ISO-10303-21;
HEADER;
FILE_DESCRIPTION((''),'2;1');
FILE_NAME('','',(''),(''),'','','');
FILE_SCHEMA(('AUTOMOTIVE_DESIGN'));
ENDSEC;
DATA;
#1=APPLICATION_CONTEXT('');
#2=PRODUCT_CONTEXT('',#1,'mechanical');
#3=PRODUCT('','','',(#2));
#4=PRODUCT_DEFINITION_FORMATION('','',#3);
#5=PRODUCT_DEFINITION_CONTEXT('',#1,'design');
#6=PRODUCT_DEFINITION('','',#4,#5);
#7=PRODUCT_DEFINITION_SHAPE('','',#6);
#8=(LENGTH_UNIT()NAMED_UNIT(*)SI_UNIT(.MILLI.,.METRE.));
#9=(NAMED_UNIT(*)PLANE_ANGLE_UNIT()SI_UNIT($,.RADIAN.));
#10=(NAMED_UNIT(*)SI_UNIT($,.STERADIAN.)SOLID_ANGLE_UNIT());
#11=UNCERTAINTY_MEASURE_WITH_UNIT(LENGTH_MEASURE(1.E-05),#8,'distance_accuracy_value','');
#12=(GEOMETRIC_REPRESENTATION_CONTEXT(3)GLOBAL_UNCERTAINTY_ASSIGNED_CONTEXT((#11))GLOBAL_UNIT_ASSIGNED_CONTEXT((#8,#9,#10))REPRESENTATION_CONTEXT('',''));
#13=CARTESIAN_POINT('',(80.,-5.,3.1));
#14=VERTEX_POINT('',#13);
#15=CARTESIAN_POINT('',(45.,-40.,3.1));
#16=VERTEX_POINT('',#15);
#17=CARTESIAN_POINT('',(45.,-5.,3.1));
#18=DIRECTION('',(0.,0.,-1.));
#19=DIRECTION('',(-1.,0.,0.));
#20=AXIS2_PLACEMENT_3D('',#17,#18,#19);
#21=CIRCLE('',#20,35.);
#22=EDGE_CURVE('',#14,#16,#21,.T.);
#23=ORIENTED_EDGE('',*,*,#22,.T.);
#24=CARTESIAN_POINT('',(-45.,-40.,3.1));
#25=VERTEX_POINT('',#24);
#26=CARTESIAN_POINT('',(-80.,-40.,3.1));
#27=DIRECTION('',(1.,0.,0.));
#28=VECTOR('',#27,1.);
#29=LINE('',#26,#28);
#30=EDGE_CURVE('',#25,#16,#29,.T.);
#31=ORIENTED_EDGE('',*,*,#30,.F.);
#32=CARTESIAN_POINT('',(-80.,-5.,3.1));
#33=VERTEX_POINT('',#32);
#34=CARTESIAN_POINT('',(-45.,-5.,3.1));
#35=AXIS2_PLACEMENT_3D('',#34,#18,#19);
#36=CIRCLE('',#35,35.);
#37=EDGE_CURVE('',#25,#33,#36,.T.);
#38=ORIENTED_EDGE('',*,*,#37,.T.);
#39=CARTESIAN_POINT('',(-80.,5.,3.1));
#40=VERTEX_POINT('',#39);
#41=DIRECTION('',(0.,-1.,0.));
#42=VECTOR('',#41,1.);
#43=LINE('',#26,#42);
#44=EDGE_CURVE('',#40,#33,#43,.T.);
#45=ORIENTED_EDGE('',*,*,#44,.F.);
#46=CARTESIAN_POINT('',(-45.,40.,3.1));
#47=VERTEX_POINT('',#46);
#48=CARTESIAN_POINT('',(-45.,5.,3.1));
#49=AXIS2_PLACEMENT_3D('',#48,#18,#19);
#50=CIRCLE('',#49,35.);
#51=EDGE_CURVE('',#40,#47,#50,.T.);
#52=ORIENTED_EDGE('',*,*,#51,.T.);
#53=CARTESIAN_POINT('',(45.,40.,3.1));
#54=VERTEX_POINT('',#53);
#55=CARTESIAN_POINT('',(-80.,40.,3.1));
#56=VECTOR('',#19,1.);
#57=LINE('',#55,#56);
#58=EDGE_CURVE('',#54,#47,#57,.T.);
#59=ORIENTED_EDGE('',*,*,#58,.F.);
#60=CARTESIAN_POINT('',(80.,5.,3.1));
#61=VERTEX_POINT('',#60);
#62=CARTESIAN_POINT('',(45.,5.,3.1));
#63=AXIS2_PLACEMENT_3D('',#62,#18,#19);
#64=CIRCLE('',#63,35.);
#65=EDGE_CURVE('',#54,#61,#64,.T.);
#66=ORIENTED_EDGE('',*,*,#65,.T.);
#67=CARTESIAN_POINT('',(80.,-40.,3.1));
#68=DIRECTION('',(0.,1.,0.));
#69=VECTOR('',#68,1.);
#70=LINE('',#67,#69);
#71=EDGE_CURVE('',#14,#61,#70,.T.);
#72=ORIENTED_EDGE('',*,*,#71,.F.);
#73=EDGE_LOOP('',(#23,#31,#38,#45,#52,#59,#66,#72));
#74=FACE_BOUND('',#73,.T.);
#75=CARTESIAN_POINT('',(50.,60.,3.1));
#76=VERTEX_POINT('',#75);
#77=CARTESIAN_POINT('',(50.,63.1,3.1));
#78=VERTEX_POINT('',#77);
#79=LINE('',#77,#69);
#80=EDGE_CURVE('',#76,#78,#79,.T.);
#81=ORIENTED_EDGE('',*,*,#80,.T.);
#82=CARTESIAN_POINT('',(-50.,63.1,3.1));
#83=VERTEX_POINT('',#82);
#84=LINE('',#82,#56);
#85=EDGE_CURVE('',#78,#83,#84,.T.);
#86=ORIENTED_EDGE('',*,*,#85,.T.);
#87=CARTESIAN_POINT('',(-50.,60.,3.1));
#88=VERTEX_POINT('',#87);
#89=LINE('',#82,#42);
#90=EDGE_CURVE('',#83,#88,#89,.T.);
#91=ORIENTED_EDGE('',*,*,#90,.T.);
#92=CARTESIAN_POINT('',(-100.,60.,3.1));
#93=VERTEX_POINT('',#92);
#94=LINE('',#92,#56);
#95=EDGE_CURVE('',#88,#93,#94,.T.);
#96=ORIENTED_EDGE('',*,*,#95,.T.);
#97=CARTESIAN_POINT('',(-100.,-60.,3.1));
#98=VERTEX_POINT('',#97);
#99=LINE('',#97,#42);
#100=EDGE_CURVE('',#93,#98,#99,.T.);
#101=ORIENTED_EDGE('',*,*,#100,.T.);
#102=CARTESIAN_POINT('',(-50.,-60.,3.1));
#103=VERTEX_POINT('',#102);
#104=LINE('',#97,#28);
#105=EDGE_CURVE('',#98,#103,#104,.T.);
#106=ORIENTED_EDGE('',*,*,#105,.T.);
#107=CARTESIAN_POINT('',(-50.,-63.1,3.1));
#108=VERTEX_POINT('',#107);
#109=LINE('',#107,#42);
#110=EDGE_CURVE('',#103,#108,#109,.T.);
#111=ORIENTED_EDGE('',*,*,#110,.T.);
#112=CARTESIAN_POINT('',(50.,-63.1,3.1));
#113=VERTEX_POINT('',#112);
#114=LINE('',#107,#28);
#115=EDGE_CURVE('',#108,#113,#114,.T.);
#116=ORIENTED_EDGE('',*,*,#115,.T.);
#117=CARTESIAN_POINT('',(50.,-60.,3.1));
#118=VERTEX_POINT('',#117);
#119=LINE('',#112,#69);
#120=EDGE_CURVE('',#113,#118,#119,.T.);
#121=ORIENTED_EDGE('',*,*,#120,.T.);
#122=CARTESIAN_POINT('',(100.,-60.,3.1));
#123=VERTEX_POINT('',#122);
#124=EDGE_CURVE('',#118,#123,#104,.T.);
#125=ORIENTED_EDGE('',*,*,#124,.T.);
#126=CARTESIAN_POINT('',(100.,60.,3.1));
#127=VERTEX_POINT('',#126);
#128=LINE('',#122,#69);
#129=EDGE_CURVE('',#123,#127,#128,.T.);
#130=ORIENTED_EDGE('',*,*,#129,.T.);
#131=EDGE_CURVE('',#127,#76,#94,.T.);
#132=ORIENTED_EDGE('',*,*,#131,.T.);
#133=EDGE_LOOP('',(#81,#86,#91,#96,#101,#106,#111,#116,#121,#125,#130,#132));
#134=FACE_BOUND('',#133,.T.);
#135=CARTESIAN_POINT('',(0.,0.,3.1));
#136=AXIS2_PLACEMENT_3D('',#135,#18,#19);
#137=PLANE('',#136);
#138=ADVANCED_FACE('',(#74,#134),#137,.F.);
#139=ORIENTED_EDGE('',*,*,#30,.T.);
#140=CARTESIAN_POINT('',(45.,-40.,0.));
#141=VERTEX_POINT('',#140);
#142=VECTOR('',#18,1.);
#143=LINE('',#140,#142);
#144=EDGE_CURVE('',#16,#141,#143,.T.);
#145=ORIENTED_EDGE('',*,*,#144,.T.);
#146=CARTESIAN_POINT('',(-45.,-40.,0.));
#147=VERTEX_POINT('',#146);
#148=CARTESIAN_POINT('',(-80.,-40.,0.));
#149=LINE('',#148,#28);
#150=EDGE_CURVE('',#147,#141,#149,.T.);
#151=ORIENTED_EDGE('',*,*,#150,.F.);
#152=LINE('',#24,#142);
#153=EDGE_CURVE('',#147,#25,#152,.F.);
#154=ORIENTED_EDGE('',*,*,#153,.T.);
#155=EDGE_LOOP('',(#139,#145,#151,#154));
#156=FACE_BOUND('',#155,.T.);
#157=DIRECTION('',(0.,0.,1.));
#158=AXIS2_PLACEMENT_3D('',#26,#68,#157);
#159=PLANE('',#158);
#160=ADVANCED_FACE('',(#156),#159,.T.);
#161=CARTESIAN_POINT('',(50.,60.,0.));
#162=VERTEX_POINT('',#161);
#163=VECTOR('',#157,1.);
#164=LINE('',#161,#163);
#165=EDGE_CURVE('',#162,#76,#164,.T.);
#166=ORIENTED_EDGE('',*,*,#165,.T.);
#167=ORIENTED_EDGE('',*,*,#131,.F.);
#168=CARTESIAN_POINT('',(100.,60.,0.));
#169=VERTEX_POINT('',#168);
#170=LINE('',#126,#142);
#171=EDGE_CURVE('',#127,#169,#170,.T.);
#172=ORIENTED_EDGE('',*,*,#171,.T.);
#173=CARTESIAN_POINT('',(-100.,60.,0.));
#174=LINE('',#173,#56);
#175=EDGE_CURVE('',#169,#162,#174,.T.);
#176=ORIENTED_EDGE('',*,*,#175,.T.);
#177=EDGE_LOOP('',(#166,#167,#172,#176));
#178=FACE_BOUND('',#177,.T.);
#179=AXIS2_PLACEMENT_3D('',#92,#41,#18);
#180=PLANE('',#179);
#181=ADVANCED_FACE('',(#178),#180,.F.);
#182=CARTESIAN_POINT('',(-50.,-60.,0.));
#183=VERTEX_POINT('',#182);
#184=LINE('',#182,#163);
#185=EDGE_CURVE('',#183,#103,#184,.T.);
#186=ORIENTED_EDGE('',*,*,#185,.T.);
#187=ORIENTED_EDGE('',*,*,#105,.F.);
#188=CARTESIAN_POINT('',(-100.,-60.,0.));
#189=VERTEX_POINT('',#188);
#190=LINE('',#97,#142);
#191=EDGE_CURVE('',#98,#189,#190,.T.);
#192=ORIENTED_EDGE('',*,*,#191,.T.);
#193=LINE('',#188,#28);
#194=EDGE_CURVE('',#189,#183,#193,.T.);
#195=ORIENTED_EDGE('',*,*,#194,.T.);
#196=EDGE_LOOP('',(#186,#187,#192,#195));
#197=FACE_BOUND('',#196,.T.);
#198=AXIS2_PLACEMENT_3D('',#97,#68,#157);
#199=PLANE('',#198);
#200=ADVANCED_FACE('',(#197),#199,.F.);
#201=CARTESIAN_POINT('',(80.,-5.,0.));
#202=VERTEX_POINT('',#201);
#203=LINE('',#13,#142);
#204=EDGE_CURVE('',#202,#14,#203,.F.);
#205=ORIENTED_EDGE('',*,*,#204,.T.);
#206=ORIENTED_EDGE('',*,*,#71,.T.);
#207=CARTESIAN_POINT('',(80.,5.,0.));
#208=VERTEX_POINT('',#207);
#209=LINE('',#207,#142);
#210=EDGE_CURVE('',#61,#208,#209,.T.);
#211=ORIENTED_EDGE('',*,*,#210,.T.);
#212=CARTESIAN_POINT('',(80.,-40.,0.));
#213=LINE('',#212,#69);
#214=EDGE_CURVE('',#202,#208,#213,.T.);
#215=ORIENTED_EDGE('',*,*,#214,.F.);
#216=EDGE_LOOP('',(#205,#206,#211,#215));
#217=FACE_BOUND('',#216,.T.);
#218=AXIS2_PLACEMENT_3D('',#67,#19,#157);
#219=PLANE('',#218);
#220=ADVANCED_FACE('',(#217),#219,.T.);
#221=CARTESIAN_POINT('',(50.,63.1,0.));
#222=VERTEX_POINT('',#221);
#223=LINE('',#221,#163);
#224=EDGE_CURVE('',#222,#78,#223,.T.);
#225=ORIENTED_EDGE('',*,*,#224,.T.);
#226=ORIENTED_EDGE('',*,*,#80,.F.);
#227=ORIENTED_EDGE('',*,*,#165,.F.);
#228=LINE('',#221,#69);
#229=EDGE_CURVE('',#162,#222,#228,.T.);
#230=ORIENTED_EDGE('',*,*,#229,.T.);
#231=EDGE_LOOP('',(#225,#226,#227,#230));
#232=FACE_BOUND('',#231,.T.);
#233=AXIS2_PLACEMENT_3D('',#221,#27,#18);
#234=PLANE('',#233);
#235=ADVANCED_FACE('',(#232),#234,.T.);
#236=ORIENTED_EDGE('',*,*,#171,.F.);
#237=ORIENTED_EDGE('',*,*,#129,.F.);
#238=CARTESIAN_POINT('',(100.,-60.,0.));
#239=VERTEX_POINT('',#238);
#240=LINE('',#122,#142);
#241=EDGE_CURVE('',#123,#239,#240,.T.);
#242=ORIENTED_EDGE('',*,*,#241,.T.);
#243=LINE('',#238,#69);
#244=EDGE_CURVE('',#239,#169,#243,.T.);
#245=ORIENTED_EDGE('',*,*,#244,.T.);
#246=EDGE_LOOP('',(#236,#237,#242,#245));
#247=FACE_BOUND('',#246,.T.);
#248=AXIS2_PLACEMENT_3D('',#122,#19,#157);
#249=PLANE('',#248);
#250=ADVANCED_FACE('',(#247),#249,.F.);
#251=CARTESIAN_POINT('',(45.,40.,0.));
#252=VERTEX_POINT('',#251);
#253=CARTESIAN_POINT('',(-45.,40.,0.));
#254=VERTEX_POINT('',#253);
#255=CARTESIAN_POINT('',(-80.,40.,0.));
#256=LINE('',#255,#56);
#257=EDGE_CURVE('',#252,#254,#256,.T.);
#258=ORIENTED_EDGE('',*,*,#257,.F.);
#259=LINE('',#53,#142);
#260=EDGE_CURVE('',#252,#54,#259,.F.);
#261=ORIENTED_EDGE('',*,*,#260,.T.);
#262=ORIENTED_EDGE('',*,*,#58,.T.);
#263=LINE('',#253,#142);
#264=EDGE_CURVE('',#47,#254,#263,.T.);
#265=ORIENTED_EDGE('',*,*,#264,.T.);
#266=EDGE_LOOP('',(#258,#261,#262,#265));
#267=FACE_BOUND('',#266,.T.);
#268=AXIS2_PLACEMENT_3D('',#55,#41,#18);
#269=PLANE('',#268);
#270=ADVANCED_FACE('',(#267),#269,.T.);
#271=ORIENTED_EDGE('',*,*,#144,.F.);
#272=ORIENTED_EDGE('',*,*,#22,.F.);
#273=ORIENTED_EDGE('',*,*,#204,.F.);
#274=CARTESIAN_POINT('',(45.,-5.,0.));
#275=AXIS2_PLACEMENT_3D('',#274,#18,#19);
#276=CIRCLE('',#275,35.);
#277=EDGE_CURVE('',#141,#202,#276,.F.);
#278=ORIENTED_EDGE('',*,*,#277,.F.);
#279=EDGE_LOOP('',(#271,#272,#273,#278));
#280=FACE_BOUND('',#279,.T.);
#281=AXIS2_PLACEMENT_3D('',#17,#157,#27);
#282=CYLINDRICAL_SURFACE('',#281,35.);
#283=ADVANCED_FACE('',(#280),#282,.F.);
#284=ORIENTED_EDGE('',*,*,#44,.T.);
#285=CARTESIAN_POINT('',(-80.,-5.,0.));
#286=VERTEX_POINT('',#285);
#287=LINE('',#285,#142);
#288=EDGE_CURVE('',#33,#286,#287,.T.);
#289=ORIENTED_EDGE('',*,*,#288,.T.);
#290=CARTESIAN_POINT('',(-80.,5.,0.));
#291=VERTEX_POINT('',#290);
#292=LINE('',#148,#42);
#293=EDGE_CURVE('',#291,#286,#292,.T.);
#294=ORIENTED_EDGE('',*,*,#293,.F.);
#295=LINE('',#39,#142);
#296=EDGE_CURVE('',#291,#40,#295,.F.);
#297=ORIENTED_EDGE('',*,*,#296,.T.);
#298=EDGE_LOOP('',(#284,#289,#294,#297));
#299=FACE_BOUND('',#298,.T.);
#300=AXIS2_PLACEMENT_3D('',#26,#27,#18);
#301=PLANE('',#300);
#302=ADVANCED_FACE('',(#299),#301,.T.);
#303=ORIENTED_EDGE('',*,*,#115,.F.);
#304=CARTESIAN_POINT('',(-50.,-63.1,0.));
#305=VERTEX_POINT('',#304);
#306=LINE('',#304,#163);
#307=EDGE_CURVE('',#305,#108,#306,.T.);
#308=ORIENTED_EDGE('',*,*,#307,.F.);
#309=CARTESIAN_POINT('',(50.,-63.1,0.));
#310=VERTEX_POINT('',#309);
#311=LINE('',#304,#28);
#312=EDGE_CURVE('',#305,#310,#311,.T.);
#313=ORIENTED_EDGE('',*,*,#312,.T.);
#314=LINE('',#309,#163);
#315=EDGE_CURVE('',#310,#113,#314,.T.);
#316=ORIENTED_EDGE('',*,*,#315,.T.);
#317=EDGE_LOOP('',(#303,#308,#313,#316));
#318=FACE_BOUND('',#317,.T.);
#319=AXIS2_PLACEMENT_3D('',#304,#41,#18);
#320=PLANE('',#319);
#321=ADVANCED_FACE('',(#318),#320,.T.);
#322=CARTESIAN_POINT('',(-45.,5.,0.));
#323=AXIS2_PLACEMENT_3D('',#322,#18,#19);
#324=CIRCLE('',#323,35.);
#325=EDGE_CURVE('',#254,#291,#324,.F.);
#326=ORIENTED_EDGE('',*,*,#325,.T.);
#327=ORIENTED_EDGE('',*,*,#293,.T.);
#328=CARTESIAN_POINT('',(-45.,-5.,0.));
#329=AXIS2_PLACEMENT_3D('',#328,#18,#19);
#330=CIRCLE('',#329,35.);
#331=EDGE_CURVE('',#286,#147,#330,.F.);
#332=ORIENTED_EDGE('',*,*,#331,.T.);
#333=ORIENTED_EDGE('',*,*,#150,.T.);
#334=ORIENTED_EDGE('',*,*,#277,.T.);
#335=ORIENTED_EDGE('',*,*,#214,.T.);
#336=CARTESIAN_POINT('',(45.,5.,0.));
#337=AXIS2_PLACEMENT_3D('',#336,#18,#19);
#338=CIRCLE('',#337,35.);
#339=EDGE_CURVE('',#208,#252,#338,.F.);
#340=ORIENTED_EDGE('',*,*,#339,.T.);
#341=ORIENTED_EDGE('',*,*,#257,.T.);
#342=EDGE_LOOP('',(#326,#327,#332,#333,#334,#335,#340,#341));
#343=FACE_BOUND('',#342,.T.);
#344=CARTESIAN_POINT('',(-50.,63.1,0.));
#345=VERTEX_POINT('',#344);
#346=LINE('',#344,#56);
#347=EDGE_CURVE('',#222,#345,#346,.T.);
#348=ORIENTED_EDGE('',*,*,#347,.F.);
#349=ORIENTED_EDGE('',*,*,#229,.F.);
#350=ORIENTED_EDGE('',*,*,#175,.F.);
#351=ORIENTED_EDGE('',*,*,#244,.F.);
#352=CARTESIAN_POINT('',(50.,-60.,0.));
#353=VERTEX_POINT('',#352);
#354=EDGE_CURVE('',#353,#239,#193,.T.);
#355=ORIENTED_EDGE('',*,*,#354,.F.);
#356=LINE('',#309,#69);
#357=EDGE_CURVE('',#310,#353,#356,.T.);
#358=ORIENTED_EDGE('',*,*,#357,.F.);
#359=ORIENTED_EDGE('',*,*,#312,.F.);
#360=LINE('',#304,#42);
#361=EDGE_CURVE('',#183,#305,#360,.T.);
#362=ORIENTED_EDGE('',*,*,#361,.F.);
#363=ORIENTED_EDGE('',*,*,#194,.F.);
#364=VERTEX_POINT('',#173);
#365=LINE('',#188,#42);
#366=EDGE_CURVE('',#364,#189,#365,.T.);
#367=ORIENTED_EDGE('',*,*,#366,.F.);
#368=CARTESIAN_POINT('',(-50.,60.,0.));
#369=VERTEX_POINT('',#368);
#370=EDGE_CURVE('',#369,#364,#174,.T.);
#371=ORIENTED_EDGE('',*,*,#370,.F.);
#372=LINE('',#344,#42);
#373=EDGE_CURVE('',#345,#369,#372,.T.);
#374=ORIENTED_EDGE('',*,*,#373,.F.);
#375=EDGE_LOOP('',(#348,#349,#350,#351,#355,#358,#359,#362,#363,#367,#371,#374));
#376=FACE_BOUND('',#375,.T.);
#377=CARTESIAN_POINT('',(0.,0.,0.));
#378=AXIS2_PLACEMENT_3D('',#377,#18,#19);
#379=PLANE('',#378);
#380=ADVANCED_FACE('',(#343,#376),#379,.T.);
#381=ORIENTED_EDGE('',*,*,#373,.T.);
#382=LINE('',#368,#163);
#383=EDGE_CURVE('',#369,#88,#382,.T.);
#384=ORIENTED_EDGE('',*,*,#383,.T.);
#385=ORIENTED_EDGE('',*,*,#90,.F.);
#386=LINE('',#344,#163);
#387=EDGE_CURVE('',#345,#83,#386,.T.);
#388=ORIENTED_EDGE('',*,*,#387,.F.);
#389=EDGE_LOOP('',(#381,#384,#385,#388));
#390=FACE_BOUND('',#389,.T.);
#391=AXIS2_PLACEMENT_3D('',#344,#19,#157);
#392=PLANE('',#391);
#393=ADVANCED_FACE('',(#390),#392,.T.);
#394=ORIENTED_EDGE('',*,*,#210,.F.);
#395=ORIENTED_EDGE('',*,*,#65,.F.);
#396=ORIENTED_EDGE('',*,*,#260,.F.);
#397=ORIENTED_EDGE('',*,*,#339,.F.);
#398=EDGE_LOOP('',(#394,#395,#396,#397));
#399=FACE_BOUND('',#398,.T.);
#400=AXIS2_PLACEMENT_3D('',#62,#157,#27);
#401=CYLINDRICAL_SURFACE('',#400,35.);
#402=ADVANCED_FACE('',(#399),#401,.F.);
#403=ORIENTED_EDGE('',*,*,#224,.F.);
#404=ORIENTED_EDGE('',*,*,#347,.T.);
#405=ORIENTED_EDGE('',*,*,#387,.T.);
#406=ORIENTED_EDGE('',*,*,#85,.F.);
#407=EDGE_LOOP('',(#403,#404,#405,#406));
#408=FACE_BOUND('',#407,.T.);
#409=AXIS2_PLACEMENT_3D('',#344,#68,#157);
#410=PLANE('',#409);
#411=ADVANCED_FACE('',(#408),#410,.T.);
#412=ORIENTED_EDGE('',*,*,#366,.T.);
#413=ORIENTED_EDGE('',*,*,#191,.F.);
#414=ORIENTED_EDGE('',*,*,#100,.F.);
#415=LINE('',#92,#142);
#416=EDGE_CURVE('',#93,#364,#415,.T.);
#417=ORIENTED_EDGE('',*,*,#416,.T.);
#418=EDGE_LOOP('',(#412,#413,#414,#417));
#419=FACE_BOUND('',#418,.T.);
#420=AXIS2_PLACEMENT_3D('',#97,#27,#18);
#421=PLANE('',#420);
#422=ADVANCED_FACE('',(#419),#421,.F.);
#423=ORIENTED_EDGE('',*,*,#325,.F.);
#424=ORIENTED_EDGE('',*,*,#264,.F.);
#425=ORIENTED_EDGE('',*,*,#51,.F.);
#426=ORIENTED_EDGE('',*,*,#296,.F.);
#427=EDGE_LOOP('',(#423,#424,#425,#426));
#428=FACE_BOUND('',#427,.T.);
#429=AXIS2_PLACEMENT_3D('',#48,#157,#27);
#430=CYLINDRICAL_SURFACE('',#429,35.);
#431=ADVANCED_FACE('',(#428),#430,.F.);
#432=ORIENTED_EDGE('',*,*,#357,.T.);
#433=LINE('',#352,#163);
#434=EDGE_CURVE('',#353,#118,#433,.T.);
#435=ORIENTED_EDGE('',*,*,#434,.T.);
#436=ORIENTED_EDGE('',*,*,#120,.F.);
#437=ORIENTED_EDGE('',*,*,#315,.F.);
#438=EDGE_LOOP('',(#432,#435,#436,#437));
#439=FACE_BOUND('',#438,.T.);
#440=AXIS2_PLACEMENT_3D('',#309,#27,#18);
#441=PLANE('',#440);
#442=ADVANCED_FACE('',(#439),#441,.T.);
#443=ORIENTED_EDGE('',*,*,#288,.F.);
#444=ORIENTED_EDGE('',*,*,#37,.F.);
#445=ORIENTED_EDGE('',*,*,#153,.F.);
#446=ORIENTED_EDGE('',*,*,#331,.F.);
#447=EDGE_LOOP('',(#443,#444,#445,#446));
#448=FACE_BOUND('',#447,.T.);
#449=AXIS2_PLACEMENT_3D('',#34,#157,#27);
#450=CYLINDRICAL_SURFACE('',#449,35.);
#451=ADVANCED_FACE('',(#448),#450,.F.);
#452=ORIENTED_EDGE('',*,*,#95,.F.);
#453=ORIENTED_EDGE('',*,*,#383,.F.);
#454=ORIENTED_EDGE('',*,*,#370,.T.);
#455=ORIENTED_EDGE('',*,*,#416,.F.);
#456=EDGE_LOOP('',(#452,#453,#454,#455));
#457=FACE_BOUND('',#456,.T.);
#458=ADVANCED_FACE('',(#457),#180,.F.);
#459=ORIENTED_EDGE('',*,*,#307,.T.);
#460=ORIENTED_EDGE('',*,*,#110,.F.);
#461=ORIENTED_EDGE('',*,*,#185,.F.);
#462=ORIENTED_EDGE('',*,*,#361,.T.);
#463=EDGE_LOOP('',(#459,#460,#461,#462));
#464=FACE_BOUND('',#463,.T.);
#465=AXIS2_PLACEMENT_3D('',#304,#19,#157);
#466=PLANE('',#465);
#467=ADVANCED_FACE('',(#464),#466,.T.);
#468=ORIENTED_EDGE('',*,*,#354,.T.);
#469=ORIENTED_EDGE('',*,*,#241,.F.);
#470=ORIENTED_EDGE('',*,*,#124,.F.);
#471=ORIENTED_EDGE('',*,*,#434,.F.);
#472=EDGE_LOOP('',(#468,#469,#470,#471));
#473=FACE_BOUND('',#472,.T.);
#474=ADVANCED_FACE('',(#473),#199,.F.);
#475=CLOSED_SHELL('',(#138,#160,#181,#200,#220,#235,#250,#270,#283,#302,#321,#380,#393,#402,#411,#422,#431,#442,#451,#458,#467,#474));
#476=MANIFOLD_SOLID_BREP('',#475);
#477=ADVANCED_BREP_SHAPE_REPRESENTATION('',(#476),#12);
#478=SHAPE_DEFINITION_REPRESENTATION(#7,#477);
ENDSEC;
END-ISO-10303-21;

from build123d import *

# Parameters (mm, degrees)
SKETCH1_W           = 200
SKETCH1_H           = 120
SKETCH1_W_2         = 160
SKETCH1_H_2         = 80
BOSS_EXTRUDE1_DEPTH = 3.1
SKETCH2_W           = 100
SKETCH2_H           = 3.1
BOSS_EXTRUDE2_DEPTH = 3.1
FILLET1_R           = 35


with BuildPart() as part:
    # Sketch1 → Boss-Extrude1 (new body)
    with BuildSketch(Plane.XY):
        Rectangle(SKETCH1_W, SKETCH1_H)
        Rectangle(SKETCH1_W_2, SKETCH1_H_2, mode=Mode.SUBTRACT)
    extrude(amount=BOSS_EXTRUDE1_DEPTH)

    # Sketch2 → Boss-Extrude2 (add)
    with BuildSketch(Plane.XY.offset(3.1)):
        with Locations((0, 61.55)):
            Rectangle(SKETCH2_W, SKETCH2_H)
        with Locations((0, -61.55)):
            Rectangle(SKETCH2_W, SKETCH2_H)
    extrude(amount=-BOSS_EXTRUDE2_DEPTH)

    # Fillet1
    fillet1_edges = [part.edges().sort_by_distance(p)[0] for p in [
        (80, -40, 1.55),
        (80, 40, 1.55),
        (-80, 40, 1.55),
        (-80, -40, 1.55),
    ]]
    fillet(fillet1_edges, radius=FILLET1_R)


solid = part.part
